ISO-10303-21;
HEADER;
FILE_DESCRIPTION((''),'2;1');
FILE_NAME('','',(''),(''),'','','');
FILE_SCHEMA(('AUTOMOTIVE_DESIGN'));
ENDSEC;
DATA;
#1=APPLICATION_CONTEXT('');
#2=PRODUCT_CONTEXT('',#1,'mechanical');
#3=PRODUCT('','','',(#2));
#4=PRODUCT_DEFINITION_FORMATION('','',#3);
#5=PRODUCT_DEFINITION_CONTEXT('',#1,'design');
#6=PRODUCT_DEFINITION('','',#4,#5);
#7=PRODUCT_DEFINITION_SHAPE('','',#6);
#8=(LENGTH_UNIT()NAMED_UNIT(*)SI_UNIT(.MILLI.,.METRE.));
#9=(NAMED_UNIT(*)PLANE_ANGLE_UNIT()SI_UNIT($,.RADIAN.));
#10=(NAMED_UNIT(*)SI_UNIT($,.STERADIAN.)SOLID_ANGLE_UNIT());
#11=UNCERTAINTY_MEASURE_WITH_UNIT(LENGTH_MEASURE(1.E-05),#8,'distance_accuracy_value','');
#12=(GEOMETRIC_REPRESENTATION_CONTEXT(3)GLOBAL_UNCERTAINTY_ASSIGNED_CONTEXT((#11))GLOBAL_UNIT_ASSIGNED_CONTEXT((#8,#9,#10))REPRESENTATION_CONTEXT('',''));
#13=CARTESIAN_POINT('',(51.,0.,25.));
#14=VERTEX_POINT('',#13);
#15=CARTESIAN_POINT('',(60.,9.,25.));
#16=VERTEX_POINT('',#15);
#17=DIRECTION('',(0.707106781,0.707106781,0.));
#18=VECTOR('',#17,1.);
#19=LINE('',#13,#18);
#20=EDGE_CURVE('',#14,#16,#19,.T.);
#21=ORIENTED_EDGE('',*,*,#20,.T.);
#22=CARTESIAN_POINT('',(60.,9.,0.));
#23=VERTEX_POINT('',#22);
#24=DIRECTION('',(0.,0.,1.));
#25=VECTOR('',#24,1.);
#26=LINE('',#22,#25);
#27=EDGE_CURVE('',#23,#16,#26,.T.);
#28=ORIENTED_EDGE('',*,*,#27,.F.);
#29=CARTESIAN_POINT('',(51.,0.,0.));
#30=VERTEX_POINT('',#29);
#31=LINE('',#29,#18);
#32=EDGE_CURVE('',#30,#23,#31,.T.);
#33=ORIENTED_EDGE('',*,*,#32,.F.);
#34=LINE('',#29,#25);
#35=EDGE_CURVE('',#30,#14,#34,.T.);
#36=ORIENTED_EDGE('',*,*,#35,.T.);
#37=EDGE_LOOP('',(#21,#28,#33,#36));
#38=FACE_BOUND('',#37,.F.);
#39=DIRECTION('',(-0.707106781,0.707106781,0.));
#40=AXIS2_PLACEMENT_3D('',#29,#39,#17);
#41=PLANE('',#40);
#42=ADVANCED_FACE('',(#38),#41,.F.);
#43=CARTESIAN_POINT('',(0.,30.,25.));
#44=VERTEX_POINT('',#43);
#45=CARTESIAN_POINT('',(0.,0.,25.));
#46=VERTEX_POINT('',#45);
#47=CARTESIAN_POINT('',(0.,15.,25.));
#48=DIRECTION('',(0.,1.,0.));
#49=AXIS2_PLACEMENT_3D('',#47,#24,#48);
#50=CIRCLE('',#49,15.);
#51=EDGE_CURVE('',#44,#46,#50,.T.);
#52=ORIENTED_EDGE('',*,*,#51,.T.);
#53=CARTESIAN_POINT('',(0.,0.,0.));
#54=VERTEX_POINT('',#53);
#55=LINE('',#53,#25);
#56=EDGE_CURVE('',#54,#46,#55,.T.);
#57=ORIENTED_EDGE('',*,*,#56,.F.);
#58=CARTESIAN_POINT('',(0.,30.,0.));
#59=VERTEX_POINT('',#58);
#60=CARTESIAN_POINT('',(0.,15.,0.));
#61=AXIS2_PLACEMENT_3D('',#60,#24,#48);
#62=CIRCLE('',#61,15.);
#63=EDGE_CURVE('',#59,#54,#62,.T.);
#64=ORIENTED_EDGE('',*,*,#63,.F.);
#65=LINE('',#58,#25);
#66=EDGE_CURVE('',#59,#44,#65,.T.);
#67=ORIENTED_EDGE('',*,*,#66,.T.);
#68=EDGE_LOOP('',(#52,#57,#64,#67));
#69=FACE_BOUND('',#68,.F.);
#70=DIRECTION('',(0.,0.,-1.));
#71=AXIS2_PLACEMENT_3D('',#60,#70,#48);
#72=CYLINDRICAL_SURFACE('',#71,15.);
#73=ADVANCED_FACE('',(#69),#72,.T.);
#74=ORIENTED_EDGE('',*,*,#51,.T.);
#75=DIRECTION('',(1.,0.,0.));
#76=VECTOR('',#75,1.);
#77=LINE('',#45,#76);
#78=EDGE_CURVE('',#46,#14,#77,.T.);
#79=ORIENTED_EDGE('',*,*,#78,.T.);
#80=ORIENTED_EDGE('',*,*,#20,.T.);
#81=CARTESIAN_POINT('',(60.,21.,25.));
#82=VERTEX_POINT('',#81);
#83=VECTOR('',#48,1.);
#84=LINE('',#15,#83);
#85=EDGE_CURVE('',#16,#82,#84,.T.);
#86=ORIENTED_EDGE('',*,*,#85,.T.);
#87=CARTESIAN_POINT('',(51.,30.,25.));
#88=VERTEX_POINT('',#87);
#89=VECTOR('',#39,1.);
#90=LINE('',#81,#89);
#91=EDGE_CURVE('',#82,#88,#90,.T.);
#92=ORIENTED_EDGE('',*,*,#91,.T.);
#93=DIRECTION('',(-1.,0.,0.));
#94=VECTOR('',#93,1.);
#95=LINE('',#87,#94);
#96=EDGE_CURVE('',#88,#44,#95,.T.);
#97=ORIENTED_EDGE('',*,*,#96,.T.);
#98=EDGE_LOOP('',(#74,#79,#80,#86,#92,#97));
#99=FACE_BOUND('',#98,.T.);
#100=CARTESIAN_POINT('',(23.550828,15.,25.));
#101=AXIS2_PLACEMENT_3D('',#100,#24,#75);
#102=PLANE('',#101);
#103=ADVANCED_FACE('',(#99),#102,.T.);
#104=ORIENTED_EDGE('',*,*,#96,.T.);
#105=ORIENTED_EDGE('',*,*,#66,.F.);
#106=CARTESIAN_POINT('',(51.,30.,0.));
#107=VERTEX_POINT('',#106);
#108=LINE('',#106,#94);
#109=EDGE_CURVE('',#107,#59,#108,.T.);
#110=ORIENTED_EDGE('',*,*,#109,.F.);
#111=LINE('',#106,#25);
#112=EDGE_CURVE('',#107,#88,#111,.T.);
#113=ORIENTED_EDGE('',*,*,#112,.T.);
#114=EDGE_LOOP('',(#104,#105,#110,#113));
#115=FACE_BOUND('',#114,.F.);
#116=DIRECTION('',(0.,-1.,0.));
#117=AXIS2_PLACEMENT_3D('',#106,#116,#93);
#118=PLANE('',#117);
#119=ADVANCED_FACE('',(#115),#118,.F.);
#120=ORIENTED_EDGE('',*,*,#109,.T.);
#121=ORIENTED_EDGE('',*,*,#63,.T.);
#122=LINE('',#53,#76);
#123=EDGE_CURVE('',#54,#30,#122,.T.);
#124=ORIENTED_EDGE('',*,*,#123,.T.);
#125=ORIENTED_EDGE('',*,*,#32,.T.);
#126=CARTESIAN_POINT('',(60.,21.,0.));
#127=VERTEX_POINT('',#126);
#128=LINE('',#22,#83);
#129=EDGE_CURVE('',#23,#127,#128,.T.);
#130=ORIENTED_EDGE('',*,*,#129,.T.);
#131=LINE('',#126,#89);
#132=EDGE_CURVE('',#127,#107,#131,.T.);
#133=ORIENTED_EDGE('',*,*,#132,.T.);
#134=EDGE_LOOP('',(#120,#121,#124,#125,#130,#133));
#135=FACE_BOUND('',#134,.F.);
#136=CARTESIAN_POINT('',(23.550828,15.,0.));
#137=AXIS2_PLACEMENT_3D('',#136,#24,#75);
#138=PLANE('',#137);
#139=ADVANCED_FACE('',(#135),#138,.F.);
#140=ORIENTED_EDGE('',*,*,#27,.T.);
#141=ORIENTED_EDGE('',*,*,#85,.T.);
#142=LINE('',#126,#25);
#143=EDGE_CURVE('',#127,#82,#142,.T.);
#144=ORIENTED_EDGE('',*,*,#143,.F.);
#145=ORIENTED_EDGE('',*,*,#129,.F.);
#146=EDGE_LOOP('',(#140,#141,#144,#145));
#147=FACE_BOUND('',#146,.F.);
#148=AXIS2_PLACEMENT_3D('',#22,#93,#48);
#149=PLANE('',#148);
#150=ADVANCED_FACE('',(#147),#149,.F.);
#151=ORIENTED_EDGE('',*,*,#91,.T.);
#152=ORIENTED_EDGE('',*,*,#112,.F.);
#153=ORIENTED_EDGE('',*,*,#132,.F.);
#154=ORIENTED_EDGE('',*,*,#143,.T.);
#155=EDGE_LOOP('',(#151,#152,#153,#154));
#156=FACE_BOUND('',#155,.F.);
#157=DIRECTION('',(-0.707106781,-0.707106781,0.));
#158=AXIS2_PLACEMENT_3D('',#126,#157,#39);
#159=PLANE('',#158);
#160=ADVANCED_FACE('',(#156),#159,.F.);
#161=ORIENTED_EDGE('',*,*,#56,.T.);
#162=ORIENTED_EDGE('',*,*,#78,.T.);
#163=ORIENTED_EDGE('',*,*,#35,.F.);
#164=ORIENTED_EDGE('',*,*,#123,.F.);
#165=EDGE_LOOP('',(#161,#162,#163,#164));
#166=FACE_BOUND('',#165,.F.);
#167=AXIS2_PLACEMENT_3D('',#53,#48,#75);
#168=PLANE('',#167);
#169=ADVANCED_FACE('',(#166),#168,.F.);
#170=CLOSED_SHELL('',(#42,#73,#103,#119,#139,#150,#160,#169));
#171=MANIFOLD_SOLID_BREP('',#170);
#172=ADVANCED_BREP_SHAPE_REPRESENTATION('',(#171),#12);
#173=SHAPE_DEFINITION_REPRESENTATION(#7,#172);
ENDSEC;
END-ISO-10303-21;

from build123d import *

# Parameters (mm, degrees)
F1_DEPTH = 25


with BuildPart() as f1:
    # F0 (on Top) → F1 (new body)
    with BuildSketch(Plane.XY):
        with BuildLine():
            Line((51, 30), (0, 30))
            ThreePointArc((0, 30), (-15, 15), (0, 0))
            Line((0, 0), (51, 0))
            Line((51, 0), (60, 9))
            Line((60, 9), (60, 21))
            Line((60, 21), (51, 30))
        make_face()
    extrude(amount=F1_DEPTH)


solid = f1.part
